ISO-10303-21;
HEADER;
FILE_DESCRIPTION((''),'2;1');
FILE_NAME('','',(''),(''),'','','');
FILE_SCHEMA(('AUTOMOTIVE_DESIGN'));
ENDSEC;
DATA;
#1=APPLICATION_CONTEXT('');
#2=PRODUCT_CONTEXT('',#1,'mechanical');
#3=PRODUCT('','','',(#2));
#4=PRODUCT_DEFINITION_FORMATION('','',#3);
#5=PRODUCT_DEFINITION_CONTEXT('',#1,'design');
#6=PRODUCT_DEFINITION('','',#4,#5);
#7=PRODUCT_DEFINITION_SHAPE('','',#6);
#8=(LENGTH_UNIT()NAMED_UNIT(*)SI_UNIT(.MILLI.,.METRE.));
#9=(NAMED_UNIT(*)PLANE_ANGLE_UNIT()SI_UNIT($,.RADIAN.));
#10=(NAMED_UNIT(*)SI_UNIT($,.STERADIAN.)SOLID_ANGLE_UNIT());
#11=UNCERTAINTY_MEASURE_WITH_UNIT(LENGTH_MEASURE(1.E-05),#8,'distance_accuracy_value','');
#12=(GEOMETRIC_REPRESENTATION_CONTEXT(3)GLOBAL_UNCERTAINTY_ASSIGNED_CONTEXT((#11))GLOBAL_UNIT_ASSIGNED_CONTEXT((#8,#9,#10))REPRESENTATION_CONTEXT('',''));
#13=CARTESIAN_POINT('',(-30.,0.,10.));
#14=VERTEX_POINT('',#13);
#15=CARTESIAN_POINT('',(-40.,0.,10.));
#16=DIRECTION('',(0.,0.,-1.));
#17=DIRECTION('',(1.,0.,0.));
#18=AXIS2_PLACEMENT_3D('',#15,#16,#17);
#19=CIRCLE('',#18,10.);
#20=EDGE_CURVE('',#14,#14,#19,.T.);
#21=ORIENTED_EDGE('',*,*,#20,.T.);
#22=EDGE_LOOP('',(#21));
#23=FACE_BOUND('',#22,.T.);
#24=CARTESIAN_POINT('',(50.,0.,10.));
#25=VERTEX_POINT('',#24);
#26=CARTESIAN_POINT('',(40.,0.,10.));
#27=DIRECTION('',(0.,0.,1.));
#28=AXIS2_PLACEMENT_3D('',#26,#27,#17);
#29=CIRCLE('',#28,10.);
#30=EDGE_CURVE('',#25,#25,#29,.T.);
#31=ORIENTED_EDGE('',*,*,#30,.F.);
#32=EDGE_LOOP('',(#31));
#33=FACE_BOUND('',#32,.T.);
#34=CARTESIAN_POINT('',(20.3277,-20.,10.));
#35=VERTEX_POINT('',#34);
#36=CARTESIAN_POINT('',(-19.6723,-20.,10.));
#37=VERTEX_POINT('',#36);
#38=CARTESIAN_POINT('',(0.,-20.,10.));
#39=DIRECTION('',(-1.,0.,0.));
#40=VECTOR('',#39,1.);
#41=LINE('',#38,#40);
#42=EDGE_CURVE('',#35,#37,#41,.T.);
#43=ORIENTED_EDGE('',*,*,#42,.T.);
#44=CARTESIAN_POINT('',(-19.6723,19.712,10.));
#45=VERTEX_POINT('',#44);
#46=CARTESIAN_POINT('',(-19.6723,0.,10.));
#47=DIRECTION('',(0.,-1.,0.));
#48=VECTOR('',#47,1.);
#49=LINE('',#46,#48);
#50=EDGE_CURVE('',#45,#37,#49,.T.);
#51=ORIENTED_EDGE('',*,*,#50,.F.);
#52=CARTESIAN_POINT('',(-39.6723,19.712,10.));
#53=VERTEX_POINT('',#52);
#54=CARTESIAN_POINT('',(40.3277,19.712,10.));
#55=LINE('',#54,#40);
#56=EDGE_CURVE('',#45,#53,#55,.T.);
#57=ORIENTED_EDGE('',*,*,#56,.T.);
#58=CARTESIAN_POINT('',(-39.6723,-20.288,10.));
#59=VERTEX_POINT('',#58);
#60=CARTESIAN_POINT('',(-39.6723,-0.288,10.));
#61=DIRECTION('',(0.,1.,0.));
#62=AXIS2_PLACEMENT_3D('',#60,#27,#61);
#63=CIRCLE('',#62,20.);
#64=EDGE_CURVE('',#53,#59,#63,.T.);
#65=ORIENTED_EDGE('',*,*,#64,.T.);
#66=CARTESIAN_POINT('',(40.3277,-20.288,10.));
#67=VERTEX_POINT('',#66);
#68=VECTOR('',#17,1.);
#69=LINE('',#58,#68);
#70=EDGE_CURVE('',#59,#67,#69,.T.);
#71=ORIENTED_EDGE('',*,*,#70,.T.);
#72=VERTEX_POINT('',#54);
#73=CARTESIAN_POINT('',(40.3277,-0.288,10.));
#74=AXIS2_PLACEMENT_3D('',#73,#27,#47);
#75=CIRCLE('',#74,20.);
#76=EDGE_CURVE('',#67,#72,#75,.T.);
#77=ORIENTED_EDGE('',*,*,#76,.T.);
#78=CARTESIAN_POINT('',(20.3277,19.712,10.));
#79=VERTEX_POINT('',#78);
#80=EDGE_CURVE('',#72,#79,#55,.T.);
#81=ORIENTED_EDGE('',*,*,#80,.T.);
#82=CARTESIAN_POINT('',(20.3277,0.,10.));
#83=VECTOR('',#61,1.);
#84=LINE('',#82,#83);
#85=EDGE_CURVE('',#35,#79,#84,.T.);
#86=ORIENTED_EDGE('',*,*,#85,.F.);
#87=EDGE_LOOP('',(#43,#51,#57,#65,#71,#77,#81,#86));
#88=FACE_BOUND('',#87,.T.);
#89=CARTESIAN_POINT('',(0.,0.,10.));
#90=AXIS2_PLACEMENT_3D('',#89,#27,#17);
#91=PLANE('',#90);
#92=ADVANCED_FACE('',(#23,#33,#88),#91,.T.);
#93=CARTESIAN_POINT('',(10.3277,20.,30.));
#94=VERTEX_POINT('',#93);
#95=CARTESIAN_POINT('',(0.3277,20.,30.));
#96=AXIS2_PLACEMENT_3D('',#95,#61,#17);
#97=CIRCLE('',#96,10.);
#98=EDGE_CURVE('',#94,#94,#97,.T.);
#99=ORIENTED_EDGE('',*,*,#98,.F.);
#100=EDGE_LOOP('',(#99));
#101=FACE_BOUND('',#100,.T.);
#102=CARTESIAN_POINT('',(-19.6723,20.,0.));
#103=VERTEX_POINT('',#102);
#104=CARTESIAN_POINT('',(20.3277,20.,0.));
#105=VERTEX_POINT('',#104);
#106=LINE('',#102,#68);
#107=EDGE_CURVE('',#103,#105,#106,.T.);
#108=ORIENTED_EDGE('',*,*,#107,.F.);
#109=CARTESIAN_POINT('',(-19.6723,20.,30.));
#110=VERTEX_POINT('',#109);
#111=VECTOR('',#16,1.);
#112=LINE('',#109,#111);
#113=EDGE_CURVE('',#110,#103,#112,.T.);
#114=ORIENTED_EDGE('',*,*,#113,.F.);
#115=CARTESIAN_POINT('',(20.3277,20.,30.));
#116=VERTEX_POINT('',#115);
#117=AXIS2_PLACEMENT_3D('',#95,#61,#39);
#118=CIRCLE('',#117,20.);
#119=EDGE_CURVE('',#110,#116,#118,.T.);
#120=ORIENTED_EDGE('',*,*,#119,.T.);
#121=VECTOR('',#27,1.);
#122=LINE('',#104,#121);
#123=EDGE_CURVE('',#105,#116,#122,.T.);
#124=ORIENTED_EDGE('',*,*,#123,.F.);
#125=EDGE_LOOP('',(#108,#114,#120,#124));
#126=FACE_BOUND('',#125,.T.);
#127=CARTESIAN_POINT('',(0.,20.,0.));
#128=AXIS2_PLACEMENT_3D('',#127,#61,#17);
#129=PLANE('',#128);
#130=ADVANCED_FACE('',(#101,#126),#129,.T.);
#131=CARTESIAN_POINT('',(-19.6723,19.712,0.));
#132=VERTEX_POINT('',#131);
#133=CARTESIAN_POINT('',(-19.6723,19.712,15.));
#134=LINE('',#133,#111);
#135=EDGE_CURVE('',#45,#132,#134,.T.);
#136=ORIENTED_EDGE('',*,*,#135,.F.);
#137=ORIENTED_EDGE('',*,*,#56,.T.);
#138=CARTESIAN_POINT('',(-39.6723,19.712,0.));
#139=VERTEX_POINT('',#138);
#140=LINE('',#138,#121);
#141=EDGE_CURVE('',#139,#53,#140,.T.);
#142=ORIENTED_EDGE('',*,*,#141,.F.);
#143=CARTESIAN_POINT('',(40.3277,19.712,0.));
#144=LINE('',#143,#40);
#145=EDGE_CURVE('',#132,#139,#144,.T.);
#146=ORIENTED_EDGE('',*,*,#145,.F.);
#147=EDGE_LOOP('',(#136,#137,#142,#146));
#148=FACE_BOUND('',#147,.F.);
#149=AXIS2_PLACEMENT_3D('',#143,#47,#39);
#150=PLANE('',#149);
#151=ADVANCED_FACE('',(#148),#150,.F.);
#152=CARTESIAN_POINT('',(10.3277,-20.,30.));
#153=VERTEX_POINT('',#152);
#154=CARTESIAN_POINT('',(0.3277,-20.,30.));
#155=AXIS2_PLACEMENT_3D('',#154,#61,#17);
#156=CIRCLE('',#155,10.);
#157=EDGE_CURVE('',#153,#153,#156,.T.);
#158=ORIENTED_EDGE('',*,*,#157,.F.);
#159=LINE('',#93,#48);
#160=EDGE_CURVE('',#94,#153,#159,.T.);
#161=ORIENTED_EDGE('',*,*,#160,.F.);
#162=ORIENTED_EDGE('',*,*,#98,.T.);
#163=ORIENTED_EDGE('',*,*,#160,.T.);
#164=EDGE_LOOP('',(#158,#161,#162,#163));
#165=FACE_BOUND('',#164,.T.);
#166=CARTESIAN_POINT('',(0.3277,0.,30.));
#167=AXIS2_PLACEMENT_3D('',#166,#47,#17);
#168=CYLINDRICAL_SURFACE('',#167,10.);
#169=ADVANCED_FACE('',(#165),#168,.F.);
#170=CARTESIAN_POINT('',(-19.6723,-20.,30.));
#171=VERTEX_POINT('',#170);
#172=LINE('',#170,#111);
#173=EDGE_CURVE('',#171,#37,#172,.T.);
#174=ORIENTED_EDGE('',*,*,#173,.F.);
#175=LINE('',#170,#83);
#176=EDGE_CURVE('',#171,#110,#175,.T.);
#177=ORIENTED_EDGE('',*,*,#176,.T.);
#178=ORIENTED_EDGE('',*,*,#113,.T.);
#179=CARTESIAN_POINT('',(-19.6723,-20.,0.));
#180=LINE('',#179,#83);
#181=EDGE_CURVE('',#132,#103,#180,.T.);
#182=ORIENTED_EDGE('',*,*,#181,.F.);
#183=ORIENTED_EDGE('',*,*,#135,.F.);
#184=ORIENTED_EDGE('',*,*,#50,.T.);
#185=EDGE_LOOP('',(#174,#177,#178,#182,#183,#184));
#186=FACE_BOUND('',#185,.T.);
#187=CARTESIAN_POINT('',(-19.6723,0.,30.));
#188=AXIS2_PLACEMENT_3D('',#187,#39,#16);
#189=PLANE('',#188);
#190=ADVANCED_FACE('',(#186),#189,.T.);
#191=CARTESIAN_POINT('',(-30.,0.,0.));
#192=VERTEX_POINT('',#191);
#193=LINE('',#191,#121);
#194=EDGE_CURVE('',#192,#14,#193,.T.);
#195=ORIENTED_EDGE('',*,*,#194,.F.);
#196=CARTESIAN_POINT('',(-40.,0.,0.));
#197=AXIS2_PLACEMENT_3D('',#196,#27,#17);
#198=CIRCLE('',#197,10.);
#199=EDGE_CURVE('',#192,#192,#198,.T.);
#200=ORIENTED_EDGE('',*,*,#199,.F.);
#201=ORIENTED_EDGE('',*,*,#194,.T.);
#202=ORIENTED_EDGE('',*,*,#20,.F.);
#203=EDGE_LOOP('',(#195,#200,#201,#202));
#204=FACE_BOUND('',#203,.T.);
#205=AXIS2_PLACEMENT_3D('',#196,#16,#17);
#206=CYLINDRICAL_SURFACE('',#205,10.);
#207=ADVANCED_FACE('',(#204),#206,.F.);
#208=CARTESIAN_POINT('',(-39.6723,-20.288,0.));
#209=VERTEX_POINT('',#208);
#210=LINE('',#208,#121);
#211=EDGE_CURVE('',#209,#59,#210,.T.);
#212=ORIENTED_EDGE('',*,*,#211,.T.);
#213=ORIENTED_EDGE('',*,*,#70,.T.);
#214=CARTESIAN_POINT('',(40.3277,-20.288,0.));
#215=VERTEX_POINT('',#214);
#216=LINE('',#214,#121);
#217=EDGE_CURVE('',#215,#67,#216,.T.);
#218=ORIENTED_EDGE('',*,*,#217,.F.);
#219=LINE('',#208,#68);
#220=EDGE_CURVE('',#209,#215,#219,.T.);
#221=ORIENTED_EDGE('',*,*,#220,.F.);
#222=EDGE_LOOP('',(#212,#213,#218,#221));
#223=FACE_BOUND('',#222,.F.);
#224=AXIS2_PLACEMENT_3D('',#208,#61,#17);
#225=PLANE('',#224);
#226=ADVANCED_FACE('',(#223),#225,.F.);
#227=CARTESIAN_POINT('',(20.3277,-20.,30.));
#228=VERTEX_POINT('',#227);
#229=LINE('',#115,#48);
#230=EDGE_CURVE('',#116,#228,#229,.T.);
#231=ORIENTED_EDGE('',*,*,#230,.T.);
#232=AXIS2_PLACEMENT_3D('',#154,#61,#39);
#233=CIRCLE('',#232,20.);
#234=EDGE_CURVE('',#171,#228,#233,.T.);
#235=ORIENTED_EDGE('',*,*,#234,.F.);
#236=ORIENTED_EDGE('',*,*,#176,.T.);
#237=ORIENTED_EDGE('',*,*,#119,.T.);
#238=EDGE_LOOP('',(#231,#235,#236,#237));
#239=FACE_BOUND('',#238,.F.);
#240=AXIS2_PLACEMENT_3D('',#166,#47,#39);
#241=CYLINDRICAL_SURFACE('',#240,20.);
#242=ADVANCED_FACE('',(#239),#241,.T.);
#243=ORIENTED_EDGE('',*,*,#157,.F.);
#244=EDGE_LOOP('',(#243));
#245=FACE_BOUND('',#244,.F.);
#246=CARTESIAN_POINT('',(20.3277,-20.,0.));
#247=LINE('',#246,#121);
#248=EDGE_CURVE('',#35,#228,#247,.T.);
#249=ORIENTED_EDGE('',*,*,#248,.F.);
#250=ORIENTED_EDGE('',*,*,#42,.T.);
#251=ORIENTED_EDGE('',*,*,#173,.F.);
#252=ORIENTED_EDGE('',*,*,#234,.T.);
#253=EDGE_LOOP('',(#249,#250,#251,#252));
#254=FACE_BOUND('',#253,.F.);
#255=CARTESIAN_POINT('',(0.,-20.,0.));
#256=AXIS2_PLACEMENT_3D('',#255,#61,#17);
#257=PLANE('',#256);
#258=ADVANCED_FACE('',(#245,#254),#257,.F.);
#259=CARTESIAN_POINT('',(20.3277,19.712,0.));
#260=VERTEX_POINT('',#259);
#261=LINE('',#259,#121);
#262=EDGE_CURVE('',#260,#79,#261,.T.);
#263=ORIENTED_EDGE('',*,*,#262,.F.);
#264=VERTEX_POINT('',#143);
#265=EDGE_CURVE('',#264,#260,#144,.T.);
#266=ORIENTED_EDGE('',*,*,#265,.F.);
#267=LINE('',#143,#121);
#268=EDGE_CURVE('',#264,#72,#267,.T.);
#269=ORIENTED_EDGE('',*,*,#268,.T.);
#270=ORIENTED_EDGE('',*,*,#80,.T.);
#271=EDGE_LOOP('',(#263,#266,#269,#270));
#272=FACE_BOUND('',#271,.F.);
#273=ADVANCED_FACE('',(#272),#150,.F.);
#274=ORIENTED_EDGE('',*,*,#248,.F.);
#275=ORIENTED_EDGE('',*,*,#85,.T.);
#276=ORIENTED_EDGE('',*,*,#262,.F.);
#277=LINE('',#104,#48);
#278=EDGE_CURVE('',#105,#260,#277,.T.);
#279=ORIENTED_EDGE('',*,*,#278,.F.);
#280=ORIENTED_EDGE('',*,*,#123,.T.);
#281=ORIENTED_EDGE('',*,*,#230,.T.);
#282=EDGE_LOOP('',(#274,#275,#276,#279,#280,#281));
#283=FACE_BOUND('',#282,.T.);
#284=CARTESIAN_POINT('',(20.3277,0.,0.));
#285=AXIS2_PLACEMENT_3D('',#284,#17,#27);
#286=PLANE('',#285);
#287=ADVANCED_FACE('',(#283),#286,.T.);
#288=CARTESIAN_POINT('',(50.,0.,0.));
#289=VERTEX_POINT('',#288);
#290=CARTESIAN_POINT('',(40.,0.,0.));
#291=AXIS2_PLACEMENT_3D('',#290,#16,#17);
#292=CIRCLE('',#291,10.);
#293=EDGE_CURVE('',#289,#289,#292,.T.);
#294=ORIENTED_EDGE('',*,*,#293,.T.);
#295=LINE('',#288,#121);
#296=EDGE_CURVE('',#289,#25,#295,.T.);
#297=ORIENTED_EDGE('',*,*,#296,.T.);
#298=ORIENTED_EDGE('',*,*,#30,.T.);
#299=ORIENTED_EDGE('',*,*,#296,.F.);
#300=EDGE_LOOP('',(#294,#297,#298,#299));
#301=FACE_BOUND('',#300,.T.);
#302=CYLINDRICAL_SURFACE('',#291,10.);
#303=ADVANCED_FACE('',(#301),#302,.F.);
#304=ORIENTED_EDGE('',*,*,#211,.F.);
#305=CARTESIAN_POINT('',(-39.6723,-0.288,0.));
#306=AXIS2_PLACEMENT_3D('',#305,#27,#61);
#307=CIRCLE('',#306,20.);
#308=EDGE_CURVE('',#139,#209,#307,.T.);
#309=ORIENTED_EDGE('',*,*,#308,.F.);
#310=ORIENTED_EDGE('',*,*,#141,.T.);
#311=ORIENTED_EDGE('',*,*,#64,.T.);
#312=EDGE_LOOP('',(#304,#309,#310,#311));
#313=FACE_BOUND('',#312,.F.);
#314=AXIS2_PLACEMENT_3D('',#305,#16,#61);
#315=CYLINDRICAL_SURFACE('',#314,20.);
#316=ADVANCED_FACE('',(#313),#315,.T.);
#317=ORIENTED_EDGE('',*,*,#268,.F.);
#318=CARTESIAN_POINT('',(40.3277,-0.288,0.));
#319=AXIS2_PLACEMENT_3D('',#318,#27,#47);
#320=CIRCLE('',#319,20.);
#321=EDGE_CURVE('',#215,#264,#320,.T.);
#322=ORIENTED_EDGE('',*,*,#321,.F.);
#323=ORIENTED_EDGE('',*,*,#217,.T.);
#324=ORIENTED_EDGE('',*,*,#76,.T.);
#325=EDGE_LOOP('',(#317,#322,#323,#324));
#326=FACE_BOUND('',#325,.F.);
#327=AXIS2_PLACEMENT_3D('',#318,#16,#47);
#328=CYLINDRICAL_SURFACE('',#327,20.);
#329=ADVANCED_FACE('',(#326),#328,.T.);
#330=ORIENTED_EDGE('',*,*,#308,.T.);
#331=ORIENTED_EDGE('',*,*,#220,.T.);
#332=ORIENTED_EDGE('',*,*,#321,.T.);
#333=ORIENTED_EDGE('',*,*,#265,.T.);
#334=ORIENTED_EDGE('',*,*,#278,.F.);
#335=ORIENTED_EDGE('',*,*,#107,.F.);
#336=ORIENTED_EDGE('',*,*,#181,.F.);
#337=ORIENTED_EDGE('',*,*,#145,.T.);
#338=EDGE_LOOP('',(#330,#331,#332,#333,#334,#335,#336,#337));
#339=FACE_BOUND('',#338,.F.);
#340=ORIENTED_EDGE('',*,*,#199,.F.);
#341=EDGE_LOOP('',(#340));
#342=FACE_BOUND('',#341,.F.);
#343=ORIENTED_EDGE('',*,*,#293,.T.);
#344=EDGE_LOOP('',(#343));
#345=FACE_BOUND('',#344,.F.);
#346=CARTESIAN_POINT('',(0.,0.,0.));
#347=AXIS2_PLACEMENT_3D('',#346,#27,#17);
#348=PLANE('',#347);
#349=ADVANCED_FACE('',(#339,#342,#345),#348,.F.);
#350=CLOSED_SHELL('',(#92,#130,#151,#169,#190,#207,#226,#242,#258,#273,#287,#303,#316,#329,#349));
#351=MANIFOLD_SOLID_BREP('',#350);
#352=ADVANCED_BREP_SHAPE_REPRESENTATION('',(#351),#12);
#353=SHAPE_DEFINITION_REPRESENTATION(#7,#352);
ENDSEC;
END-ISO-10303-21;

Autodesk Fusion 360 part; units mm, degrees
sketch "Sketch1" plane through (0, 0, 0) normal (0, 0, 1) x (1, 0, 0)
  line L0 (40.3277, 19.712) -> (-39.6723, 19.712)
  line L1 (-39.6723, 19.712) -> (-39.6723, -20.288)
  line L2 (-39.6723, -20.288) -> (40.3277, -20.288)
  line L3 (40.3277, -20.288) -> (40.3277, 19.712)
  line L4 (-39.6723, -0.288) -> (40.3277, -0.288) construction
  circle A0 centre (40, 0) radius 10
  circle A1 centre (-40, 0) radius 10
  line L5 (-24, 12) -> (-20, 10) construction
  line L6 (24, 12) -> (20, 10) construction
  arc A2 (40.3277, -20.288) -> (40.3277, 19.712) centre (40.3277, -0.288) ccw
  arc A3 (-39.6723, 19.712) -> (-39.6723, -20.288) centre (-39.6723, -0.288) ccw
  dimension "d1" = 80
  dimension "d2" = 40
  dimension "d6" = 40
  dimension "d7" = 40
sketch "Sketch2" plane through (0, 0, 0) normal (0, 0, 1) x (1, 0, 0)
sketch "Sketch3" plane through (0, 0, 0) normal (0, 0, 1) x (1, 0, 0)
extrude "Extrude1" add sketch "Sketch1" along normal blind 10 contours L0 L1 L2 L3 A0 A1 | L3 A0 A2 | L1 A1 A3
sketch "Sketch4" plane through (0, 0, 0) normal (0, 1, 0) x (1, 0, 0)
  line L0 (-19.6723, 0) -> (20.3277, 0)
  line L1 (20.3277, 0) -> (20.3277, -30)
  line L2 (-19.6723, -30) -> (-19.6723, 0)
  line L3 (-39.6723, 0) -> (-39.6723, -10)
  circle A0 centre (0.3277, -30) radius 10
  arc A1 (-19.6723, -30) -> (20.3277, -30) centre (0.3277, -30) ccw
  dimension "d12" = 30
  dimension "d13" = 40
  dimension "d14" = 20
  dimension "d15" = 40
  dimension "d16" = 20
extrude "Extrude2" add sketch "Sketch4" along normal mid plane 40
